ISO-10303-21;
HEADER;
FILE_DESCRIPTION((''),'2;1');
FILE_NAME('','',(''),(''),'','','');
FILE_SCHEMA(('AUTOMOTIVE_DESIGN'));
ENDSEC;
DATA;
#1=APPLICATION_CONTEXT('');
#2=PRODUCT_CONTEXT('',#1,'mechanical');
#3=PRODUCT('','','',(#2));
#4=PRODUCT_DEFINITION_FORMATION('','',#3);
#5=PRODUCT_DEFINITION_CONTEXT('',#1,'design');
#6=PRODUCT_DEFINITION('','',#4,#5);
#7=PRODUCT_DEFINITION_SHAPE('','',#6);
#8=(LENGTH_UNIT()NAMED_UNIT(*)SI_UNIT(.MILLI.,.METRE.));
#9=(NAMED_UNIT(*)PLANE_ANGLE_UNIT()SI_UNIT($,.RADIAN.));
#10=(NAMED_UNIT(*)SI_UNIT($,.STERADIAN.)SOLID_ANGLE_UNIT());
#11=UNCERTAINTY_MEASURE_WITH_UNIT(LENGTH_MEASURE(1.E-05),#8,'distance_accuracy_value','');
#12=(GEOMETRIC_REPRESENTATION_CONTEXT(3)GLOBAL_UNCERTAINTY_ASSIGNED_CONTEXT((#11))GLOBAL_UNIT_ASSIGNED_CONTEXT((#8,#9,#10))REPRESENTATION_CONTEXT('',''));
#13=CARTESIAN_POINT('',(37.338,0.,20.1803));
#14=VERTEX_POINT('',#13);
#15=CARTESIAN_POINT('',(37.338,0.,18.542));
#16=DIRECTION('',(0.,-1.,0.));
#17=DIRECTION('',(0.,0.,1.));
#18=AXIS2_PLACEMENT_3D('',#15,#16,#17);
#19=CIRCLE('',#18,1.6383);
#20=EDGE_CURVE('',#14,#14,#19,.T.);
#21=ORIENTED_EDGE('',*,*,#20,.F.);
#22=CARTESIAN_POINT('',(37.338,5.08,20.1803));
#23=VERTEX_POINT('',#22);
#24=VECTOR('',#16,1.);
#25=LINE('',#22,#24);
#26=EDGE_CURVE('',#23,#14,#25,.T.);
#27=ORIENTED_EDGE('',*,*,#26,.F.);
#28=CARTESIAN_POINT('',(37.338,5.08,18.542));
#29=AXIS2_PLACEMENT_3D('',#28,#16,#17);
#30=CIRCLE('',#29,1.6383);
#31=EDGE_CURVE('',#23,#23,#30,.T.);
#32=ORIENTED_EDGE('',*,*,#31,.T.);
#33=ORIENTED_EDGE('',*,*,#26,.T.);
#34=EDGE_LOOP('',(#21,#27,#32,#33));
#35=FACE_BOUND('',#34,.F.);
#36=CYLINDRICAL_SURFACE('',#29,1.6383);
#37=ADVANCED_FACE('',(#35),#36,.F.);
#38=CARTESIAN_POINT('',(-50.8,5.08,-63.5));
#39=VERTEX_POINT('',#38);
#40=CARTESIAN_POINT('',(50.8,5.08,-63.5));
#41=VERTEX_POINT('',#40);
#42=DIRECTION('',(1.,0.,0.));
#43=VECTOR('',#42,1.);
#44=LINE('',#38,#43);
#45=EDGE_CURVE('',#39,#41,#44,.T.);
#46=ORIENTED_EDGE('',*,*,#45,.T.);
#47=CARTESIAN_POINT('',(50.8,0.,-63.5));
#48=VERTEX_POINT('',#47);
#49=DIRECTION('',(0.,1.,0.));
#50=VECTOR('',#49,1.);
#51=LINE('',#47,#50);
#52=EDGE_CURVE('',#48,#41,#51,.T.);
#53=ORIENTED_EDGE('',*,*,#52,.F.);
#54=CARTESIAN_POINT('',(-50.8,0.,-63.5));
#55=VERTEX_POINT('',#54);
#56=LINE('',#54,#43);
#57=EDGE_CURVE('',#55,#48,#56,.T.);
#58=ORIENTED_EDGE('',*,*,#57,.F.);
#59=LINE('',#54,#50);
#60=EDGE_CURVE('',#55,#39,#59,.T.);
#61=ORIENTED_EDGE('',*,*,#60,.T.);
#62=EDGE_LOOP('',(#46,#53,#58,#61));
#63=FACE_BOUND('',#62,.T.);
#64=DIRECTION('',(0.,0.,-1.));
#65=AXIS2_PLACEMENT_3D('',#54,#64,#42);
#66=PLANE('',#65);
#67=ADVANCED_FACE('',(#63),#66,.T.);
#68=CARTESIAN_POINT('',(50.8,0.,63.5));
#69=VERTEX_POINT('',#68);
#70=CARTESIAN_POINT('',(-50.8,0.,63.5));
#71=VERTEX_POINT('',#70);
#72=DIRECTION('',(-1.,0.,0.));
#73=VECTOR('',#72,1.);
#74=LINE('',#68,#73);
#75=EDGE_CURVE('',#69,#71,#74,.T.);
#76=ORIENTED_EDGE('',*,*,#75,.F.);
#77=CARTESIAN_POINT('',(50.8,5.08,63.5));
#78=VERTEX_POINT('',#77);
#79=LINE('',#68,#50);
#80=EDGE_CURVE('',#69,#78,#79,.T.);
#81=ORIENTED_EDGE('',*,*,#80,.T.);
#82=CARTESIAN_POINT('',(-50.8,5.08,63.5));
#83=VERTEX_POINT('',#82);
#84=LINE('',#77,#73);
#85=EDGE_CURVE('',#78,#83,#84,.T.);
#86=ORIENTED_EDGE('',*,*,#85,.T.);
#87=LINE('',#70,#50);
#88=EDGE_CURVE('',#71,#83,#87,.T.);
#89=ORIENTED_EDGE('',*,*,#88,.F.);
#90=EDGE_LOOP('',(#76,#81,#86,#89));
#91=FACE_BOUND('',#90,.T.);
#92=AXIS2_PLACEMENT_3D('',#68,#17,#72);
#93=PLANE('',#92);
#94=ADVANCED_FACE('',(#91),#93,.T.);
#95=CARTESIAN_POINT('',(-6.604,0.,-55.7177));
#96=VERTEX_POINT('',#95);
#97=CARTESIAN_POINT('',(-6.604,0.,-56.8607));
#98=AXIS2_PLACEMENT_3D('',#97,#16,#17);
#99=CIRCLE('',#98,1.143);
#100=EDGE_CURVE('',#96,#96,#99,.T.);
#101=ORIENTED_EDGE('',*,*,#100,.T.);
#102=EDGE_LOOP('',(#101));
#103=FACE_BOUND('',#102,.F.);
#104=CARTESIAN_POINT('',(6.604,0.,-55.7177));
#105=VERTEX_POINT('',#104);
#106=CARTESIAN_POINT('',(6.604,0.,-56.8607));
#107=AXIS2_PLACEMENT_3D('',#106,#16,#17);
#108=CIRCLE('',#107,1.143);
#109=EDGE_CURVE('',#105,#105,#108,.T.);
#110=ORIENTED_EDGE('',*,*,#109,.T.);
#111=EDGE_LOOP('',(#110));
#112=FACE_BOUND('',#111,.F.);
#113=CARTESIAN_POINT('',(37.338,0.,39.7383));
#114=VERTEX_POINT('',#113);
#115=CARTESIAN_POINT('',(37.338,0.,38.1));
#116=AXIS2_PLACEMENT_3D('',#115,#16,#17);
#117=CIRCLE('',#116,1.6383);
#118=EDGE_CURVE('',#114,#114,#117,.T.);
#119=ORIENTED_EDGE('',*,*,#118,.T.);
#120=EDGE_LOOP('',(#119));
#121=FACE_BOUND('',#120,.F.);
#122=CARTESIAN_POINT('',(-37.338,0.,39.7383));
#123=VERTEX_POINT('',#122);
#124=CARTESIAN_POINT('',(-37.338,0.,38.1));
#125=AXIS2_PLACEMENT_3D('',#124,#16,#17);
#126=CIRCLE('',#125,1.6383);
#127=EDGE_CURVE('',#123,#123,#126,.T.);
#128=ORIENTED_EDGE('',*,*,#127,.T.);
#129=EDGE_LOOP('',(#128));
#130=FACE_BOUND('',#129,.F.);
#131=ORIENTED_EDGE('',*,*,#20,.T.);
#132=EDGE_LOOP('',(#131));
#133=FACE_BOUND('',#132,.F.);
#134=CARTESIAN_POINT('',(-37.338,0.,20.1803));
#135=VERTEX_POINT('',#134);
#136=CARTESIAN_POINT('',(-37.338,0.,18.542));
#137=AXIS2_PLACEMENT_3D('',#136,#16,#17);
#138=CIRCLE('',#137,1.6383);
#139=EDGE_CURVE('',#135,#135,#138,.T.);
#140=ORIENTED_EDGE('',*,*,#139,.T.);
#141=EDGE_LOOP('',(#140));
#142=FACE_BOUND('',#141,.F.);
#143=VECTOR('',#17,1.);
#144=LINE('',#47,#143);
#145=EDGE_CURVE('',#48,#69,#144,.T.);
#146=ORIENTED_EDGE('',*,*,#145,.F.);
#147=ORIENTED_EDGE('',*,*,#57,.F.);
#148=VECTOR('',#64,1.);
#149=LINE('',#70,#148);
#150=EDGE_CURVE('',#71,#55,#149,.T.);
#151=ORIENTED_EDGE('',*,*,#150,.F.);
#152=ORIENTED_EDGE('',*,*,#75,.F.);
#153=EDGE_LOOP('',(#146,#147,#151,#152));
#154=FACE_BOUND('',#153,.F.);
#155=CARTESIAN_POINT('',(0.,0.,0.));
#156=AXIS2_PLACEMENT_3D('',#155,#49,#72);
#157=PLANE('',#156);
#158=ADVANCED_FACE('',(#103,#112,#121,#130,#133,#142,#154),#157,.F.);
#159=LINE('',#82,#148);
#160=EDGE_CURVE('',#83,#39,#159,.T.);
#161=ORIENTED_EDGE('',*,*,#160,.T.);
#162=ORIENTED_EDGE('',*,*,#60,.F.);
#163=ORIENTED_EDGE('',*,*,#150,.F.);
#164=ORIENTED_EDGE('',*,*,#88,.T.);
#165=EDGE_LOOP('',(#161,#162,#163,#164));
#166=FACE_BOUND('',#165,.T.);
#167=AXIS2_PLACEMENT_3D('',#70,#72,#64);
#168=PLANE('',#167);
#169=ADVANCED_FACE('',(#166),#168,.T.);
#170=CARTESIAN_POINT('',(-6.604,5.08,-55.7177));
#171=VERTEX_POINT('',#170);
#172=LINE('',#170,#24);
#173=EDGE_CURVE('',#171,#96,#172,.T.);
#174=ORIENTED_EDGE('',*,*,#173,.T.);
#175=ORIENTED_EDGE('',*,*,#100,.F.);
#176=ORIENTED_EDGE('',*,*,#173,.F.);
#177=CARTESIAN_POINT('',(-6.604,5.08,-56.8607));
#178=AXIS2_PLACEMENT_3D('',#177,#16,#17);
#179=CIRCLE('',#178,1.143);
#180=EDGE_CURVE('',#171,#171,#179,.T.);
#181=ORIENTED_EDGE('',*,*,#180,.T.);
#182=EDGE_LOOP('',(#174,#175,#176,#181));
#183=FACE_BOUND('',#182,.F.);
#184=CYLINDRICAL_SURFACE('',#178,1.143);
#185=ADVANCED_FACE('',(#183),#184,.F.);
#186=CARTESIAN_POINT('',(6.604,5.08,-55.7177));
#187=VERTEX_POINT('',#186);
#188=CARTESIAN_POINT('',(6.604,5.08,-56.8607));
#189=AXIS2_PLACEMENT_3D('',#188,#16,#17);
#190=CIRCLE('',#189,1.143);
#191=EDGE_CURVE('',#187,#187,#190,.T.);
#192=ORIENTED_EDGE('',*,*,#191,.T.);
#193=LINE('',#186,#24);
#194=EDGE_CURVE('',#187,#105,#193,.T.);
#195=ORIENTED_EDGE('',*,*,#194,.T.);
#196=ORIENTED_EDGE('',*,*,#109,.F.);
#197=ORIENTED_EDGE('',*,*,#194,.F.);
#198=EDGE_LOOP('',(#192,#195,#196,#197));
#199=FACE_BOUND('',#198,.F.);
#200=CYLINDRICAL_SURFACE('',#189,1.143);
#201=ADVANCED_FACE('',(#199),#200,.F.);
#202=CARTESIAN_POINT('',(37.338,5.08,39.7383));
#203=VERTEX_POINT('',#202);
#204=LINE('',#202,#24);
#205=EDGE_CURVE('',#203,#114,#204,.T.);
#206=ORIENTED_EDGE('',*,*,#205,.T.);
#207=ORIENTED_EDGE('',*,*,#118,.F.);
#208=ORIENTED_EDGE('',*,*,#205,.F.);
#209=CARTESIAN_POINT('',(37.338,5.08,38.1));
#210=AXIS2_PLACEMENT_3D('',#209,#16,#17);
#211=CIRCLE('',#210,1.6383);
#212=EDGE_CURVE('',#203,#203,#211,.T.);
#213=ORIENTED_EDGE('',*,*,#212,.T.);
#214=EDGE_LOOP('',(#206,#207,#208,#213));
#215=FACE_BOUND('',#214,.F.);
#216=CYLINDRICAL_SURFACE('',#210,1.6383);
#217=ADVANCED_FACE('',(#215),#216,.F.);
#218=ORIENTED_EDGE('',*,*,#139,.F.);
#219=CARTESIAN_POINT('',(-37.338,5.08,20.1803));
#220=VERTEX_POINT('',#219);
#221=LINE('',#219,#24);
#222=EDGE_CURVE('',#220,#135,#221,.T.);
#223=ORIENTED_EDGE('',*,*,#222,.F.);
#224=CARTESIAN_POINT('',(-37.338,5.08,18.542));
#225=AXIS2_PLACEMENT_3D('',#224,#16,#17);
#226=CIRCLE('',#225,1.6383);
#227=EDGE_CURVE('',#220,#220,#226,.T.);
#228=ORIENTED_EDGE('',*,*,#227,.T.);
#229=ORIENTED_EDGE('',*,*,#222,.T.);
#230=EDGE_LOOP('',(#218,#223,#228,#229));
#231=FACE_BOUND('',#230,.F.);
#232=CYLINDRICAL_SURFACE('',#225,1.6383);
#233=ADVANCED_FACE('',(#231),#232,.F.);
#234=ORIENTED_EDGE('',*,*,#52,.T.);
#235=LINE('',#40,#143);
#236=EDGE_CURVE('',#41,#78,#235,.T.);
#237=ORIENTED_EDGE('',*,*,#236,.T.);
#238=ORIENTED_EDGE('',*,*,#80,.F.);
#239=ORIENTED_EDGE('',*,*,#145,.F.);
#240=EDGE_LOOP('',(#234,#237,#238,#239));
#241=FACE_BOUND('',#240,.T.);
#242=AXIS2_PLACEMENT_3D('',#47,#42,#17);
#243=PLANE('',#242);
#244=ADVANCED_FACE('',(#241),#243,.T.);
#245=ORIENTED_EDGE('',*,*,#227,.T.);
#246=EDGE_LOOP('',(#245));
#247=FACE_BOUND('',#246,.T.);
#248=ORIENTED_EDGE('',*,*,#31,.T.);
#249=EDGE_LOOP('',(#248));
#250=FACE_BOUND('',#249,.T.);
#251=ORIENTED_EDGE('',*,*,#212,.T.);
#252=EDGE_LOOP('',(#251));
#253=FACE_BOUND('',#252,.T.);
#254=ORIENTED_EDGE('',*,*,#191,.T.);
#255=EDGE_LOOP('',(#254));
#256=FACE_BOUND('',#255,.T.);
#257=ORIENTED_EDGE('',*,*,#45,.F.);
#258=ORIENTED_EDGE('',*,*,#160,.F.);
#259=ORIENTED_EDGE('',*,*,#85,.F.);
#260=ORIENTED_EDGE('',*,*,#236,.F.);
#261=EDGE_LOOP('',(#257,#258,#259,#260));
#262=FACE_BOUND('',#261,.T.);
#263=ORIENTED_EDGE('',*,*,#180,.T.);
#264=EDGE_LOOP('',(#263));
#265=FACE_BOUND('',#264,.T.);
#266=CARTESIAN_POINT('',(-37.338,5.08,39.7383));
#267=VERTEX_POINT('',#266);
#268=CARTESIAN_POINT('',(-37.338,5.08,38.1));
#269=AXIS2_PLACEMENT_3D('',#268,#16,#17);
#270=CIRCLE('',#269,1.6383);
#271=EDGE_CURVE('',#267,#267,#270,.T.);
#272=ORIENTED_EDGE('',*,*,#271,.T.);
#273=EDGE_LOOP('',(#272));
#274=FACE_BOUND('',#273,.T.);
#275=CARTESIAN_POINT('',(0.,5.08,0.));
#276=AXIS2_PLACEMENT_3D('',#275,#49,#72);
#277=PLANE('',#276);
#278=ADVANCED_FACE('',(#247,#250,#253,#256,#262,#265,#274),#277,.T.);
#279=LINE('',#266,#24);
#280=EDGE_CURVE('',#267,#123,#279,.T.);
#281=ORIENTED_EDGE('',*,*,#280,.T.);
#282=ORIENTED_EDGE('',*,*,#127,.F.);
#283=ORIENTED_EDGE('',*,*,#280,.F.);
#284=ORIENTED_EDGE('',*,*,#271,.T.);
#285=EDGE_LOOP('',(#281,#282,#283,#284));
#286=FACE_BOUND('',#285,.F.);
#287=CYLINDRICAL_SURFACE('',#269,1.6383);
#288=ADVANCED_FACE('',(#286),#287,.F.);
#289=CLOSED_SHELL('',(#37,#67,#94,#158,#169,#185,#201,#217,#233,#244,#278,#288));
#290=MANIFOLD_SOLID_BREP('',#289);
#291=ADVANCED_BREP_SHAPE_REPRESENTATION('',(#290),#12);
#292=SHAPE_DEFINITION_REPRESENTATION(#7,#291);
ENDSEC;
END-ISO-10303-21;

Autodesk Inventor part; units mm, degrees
ref_plane "YZ Plane" through (0, 0, 0) normal (1, 0, 0) x (0, 1, 0)
ref_plane "XZ Plane" through (0, 0, 0) normal (0, 1, 0) x (-1, 0, 0)
ref_plane "XY Plane" through (0, 0, 0) normal (0, 0, 1) x (1, 0, 0)
sketch "Sketch1" plane through (0, 0, 0) normal (0, 1, 0) x (-1, 0, 0)
  line L0 (-50.8, 63.5) -> (50.8, 63.5)
  line L1 (50.8, 63.5) -> (50.8, -63.5)
  line L2 (50.8, -63.5) -> (-50.8, -63.5)
  line L3 (-50.8, -63.5) -> (-50.8, 63.5)
  line L4 (-50.8, 63.5) -> (50.8, -63.5) construction
  line L5 (50.8, 63.5) -> (-50.8, -63.5) construction
  point P0 (0, 0)
  point P1 (0, 0)
  dimension "d0" = 101.6
  dimension "d1" = 127
extrude "Plate1" add sketch "Sketch1" along normal blind 5.08
sketch "Sketch2" plane through (0, 5.08, 0) normal (0, 1, 0) x (1, 0, 0)
  line L0 (-50.8, 63.5) -> (50.8, 63.5) construction
  line L1 (0, 63.5) -> (0, -63.5) construction
  line L2 (50.8, -63.5) -> (-50.8, -63.5) construction
  line L3 (-50.8, -63.5) -> (-50.8, 63.5) construction
  point P0 (0, 0)
  point P1 (-37.338, -38.1)
  point P2 (-37.338, -18.542)
  point P3 (37.338, -38.1)
  point P4 (37.338, -18.542)
  dimension "d5" = 19.558
  dimension "d6" = 13.462
  dimension "d14" = 25.4
hole "Hole1" at (-37.338, 5.08, 38.1) at (-37.338, 5.08, 18.542) at (37.338, 5.08, 38.1) at (37.338, 5.08, 18.542) direction (0, -1, 0) diameter 3.2766 end through all clearance for "Flat Head Machine Screw (82)" size "#4" standard "Ansi Unified Screw Threads"
sketch "Sketch3" plane through (0, 5.08, 0) normal (0, 1, 0) x (1, 0, 0)
  line L0 (0, 0) -> (0, 25.4) construction
  point P0 (-6.604, 56.8607)
  point P1 (6.604, 56.8607)
  dimension "d15" = 25.4
  dimension "d16" = 13.208
hole "Hole2" at (-6.604, 5.08, -56.8607) at (6.604, 5.08, -56.8607) direction (0, -1, 0) diameter 2.286 end through all
equation "\"d14\" = motor_placement"
equation "\"d12\" = Thickness"
equation "\"d22\" = Thickness"
equation "\"d4\" = Thickness"
equation "\"BendRadius\" = Thickness"
equation "\"BendReliefWidth\" = Thickness"
equation "\"BendReliefDepth\" = 0.5 * Thickness"
equation "\"CornerReliefSize\" = 4 * Thickness"
equation "\"MinimumRemnant\" = 2 * Thickness"
equation "\"TransitionRadius\" = BendRadius"
equation "\"JacobiRadiusSize\" = BendRadius"
equation "\"GapSize\" = Thickness"
equation "\"motor_placement\" = 25.4"
equation "\"Thickness\" = 5.08"
properties part number "pibot_baseplate" material "Polycarbonate, Clear"
